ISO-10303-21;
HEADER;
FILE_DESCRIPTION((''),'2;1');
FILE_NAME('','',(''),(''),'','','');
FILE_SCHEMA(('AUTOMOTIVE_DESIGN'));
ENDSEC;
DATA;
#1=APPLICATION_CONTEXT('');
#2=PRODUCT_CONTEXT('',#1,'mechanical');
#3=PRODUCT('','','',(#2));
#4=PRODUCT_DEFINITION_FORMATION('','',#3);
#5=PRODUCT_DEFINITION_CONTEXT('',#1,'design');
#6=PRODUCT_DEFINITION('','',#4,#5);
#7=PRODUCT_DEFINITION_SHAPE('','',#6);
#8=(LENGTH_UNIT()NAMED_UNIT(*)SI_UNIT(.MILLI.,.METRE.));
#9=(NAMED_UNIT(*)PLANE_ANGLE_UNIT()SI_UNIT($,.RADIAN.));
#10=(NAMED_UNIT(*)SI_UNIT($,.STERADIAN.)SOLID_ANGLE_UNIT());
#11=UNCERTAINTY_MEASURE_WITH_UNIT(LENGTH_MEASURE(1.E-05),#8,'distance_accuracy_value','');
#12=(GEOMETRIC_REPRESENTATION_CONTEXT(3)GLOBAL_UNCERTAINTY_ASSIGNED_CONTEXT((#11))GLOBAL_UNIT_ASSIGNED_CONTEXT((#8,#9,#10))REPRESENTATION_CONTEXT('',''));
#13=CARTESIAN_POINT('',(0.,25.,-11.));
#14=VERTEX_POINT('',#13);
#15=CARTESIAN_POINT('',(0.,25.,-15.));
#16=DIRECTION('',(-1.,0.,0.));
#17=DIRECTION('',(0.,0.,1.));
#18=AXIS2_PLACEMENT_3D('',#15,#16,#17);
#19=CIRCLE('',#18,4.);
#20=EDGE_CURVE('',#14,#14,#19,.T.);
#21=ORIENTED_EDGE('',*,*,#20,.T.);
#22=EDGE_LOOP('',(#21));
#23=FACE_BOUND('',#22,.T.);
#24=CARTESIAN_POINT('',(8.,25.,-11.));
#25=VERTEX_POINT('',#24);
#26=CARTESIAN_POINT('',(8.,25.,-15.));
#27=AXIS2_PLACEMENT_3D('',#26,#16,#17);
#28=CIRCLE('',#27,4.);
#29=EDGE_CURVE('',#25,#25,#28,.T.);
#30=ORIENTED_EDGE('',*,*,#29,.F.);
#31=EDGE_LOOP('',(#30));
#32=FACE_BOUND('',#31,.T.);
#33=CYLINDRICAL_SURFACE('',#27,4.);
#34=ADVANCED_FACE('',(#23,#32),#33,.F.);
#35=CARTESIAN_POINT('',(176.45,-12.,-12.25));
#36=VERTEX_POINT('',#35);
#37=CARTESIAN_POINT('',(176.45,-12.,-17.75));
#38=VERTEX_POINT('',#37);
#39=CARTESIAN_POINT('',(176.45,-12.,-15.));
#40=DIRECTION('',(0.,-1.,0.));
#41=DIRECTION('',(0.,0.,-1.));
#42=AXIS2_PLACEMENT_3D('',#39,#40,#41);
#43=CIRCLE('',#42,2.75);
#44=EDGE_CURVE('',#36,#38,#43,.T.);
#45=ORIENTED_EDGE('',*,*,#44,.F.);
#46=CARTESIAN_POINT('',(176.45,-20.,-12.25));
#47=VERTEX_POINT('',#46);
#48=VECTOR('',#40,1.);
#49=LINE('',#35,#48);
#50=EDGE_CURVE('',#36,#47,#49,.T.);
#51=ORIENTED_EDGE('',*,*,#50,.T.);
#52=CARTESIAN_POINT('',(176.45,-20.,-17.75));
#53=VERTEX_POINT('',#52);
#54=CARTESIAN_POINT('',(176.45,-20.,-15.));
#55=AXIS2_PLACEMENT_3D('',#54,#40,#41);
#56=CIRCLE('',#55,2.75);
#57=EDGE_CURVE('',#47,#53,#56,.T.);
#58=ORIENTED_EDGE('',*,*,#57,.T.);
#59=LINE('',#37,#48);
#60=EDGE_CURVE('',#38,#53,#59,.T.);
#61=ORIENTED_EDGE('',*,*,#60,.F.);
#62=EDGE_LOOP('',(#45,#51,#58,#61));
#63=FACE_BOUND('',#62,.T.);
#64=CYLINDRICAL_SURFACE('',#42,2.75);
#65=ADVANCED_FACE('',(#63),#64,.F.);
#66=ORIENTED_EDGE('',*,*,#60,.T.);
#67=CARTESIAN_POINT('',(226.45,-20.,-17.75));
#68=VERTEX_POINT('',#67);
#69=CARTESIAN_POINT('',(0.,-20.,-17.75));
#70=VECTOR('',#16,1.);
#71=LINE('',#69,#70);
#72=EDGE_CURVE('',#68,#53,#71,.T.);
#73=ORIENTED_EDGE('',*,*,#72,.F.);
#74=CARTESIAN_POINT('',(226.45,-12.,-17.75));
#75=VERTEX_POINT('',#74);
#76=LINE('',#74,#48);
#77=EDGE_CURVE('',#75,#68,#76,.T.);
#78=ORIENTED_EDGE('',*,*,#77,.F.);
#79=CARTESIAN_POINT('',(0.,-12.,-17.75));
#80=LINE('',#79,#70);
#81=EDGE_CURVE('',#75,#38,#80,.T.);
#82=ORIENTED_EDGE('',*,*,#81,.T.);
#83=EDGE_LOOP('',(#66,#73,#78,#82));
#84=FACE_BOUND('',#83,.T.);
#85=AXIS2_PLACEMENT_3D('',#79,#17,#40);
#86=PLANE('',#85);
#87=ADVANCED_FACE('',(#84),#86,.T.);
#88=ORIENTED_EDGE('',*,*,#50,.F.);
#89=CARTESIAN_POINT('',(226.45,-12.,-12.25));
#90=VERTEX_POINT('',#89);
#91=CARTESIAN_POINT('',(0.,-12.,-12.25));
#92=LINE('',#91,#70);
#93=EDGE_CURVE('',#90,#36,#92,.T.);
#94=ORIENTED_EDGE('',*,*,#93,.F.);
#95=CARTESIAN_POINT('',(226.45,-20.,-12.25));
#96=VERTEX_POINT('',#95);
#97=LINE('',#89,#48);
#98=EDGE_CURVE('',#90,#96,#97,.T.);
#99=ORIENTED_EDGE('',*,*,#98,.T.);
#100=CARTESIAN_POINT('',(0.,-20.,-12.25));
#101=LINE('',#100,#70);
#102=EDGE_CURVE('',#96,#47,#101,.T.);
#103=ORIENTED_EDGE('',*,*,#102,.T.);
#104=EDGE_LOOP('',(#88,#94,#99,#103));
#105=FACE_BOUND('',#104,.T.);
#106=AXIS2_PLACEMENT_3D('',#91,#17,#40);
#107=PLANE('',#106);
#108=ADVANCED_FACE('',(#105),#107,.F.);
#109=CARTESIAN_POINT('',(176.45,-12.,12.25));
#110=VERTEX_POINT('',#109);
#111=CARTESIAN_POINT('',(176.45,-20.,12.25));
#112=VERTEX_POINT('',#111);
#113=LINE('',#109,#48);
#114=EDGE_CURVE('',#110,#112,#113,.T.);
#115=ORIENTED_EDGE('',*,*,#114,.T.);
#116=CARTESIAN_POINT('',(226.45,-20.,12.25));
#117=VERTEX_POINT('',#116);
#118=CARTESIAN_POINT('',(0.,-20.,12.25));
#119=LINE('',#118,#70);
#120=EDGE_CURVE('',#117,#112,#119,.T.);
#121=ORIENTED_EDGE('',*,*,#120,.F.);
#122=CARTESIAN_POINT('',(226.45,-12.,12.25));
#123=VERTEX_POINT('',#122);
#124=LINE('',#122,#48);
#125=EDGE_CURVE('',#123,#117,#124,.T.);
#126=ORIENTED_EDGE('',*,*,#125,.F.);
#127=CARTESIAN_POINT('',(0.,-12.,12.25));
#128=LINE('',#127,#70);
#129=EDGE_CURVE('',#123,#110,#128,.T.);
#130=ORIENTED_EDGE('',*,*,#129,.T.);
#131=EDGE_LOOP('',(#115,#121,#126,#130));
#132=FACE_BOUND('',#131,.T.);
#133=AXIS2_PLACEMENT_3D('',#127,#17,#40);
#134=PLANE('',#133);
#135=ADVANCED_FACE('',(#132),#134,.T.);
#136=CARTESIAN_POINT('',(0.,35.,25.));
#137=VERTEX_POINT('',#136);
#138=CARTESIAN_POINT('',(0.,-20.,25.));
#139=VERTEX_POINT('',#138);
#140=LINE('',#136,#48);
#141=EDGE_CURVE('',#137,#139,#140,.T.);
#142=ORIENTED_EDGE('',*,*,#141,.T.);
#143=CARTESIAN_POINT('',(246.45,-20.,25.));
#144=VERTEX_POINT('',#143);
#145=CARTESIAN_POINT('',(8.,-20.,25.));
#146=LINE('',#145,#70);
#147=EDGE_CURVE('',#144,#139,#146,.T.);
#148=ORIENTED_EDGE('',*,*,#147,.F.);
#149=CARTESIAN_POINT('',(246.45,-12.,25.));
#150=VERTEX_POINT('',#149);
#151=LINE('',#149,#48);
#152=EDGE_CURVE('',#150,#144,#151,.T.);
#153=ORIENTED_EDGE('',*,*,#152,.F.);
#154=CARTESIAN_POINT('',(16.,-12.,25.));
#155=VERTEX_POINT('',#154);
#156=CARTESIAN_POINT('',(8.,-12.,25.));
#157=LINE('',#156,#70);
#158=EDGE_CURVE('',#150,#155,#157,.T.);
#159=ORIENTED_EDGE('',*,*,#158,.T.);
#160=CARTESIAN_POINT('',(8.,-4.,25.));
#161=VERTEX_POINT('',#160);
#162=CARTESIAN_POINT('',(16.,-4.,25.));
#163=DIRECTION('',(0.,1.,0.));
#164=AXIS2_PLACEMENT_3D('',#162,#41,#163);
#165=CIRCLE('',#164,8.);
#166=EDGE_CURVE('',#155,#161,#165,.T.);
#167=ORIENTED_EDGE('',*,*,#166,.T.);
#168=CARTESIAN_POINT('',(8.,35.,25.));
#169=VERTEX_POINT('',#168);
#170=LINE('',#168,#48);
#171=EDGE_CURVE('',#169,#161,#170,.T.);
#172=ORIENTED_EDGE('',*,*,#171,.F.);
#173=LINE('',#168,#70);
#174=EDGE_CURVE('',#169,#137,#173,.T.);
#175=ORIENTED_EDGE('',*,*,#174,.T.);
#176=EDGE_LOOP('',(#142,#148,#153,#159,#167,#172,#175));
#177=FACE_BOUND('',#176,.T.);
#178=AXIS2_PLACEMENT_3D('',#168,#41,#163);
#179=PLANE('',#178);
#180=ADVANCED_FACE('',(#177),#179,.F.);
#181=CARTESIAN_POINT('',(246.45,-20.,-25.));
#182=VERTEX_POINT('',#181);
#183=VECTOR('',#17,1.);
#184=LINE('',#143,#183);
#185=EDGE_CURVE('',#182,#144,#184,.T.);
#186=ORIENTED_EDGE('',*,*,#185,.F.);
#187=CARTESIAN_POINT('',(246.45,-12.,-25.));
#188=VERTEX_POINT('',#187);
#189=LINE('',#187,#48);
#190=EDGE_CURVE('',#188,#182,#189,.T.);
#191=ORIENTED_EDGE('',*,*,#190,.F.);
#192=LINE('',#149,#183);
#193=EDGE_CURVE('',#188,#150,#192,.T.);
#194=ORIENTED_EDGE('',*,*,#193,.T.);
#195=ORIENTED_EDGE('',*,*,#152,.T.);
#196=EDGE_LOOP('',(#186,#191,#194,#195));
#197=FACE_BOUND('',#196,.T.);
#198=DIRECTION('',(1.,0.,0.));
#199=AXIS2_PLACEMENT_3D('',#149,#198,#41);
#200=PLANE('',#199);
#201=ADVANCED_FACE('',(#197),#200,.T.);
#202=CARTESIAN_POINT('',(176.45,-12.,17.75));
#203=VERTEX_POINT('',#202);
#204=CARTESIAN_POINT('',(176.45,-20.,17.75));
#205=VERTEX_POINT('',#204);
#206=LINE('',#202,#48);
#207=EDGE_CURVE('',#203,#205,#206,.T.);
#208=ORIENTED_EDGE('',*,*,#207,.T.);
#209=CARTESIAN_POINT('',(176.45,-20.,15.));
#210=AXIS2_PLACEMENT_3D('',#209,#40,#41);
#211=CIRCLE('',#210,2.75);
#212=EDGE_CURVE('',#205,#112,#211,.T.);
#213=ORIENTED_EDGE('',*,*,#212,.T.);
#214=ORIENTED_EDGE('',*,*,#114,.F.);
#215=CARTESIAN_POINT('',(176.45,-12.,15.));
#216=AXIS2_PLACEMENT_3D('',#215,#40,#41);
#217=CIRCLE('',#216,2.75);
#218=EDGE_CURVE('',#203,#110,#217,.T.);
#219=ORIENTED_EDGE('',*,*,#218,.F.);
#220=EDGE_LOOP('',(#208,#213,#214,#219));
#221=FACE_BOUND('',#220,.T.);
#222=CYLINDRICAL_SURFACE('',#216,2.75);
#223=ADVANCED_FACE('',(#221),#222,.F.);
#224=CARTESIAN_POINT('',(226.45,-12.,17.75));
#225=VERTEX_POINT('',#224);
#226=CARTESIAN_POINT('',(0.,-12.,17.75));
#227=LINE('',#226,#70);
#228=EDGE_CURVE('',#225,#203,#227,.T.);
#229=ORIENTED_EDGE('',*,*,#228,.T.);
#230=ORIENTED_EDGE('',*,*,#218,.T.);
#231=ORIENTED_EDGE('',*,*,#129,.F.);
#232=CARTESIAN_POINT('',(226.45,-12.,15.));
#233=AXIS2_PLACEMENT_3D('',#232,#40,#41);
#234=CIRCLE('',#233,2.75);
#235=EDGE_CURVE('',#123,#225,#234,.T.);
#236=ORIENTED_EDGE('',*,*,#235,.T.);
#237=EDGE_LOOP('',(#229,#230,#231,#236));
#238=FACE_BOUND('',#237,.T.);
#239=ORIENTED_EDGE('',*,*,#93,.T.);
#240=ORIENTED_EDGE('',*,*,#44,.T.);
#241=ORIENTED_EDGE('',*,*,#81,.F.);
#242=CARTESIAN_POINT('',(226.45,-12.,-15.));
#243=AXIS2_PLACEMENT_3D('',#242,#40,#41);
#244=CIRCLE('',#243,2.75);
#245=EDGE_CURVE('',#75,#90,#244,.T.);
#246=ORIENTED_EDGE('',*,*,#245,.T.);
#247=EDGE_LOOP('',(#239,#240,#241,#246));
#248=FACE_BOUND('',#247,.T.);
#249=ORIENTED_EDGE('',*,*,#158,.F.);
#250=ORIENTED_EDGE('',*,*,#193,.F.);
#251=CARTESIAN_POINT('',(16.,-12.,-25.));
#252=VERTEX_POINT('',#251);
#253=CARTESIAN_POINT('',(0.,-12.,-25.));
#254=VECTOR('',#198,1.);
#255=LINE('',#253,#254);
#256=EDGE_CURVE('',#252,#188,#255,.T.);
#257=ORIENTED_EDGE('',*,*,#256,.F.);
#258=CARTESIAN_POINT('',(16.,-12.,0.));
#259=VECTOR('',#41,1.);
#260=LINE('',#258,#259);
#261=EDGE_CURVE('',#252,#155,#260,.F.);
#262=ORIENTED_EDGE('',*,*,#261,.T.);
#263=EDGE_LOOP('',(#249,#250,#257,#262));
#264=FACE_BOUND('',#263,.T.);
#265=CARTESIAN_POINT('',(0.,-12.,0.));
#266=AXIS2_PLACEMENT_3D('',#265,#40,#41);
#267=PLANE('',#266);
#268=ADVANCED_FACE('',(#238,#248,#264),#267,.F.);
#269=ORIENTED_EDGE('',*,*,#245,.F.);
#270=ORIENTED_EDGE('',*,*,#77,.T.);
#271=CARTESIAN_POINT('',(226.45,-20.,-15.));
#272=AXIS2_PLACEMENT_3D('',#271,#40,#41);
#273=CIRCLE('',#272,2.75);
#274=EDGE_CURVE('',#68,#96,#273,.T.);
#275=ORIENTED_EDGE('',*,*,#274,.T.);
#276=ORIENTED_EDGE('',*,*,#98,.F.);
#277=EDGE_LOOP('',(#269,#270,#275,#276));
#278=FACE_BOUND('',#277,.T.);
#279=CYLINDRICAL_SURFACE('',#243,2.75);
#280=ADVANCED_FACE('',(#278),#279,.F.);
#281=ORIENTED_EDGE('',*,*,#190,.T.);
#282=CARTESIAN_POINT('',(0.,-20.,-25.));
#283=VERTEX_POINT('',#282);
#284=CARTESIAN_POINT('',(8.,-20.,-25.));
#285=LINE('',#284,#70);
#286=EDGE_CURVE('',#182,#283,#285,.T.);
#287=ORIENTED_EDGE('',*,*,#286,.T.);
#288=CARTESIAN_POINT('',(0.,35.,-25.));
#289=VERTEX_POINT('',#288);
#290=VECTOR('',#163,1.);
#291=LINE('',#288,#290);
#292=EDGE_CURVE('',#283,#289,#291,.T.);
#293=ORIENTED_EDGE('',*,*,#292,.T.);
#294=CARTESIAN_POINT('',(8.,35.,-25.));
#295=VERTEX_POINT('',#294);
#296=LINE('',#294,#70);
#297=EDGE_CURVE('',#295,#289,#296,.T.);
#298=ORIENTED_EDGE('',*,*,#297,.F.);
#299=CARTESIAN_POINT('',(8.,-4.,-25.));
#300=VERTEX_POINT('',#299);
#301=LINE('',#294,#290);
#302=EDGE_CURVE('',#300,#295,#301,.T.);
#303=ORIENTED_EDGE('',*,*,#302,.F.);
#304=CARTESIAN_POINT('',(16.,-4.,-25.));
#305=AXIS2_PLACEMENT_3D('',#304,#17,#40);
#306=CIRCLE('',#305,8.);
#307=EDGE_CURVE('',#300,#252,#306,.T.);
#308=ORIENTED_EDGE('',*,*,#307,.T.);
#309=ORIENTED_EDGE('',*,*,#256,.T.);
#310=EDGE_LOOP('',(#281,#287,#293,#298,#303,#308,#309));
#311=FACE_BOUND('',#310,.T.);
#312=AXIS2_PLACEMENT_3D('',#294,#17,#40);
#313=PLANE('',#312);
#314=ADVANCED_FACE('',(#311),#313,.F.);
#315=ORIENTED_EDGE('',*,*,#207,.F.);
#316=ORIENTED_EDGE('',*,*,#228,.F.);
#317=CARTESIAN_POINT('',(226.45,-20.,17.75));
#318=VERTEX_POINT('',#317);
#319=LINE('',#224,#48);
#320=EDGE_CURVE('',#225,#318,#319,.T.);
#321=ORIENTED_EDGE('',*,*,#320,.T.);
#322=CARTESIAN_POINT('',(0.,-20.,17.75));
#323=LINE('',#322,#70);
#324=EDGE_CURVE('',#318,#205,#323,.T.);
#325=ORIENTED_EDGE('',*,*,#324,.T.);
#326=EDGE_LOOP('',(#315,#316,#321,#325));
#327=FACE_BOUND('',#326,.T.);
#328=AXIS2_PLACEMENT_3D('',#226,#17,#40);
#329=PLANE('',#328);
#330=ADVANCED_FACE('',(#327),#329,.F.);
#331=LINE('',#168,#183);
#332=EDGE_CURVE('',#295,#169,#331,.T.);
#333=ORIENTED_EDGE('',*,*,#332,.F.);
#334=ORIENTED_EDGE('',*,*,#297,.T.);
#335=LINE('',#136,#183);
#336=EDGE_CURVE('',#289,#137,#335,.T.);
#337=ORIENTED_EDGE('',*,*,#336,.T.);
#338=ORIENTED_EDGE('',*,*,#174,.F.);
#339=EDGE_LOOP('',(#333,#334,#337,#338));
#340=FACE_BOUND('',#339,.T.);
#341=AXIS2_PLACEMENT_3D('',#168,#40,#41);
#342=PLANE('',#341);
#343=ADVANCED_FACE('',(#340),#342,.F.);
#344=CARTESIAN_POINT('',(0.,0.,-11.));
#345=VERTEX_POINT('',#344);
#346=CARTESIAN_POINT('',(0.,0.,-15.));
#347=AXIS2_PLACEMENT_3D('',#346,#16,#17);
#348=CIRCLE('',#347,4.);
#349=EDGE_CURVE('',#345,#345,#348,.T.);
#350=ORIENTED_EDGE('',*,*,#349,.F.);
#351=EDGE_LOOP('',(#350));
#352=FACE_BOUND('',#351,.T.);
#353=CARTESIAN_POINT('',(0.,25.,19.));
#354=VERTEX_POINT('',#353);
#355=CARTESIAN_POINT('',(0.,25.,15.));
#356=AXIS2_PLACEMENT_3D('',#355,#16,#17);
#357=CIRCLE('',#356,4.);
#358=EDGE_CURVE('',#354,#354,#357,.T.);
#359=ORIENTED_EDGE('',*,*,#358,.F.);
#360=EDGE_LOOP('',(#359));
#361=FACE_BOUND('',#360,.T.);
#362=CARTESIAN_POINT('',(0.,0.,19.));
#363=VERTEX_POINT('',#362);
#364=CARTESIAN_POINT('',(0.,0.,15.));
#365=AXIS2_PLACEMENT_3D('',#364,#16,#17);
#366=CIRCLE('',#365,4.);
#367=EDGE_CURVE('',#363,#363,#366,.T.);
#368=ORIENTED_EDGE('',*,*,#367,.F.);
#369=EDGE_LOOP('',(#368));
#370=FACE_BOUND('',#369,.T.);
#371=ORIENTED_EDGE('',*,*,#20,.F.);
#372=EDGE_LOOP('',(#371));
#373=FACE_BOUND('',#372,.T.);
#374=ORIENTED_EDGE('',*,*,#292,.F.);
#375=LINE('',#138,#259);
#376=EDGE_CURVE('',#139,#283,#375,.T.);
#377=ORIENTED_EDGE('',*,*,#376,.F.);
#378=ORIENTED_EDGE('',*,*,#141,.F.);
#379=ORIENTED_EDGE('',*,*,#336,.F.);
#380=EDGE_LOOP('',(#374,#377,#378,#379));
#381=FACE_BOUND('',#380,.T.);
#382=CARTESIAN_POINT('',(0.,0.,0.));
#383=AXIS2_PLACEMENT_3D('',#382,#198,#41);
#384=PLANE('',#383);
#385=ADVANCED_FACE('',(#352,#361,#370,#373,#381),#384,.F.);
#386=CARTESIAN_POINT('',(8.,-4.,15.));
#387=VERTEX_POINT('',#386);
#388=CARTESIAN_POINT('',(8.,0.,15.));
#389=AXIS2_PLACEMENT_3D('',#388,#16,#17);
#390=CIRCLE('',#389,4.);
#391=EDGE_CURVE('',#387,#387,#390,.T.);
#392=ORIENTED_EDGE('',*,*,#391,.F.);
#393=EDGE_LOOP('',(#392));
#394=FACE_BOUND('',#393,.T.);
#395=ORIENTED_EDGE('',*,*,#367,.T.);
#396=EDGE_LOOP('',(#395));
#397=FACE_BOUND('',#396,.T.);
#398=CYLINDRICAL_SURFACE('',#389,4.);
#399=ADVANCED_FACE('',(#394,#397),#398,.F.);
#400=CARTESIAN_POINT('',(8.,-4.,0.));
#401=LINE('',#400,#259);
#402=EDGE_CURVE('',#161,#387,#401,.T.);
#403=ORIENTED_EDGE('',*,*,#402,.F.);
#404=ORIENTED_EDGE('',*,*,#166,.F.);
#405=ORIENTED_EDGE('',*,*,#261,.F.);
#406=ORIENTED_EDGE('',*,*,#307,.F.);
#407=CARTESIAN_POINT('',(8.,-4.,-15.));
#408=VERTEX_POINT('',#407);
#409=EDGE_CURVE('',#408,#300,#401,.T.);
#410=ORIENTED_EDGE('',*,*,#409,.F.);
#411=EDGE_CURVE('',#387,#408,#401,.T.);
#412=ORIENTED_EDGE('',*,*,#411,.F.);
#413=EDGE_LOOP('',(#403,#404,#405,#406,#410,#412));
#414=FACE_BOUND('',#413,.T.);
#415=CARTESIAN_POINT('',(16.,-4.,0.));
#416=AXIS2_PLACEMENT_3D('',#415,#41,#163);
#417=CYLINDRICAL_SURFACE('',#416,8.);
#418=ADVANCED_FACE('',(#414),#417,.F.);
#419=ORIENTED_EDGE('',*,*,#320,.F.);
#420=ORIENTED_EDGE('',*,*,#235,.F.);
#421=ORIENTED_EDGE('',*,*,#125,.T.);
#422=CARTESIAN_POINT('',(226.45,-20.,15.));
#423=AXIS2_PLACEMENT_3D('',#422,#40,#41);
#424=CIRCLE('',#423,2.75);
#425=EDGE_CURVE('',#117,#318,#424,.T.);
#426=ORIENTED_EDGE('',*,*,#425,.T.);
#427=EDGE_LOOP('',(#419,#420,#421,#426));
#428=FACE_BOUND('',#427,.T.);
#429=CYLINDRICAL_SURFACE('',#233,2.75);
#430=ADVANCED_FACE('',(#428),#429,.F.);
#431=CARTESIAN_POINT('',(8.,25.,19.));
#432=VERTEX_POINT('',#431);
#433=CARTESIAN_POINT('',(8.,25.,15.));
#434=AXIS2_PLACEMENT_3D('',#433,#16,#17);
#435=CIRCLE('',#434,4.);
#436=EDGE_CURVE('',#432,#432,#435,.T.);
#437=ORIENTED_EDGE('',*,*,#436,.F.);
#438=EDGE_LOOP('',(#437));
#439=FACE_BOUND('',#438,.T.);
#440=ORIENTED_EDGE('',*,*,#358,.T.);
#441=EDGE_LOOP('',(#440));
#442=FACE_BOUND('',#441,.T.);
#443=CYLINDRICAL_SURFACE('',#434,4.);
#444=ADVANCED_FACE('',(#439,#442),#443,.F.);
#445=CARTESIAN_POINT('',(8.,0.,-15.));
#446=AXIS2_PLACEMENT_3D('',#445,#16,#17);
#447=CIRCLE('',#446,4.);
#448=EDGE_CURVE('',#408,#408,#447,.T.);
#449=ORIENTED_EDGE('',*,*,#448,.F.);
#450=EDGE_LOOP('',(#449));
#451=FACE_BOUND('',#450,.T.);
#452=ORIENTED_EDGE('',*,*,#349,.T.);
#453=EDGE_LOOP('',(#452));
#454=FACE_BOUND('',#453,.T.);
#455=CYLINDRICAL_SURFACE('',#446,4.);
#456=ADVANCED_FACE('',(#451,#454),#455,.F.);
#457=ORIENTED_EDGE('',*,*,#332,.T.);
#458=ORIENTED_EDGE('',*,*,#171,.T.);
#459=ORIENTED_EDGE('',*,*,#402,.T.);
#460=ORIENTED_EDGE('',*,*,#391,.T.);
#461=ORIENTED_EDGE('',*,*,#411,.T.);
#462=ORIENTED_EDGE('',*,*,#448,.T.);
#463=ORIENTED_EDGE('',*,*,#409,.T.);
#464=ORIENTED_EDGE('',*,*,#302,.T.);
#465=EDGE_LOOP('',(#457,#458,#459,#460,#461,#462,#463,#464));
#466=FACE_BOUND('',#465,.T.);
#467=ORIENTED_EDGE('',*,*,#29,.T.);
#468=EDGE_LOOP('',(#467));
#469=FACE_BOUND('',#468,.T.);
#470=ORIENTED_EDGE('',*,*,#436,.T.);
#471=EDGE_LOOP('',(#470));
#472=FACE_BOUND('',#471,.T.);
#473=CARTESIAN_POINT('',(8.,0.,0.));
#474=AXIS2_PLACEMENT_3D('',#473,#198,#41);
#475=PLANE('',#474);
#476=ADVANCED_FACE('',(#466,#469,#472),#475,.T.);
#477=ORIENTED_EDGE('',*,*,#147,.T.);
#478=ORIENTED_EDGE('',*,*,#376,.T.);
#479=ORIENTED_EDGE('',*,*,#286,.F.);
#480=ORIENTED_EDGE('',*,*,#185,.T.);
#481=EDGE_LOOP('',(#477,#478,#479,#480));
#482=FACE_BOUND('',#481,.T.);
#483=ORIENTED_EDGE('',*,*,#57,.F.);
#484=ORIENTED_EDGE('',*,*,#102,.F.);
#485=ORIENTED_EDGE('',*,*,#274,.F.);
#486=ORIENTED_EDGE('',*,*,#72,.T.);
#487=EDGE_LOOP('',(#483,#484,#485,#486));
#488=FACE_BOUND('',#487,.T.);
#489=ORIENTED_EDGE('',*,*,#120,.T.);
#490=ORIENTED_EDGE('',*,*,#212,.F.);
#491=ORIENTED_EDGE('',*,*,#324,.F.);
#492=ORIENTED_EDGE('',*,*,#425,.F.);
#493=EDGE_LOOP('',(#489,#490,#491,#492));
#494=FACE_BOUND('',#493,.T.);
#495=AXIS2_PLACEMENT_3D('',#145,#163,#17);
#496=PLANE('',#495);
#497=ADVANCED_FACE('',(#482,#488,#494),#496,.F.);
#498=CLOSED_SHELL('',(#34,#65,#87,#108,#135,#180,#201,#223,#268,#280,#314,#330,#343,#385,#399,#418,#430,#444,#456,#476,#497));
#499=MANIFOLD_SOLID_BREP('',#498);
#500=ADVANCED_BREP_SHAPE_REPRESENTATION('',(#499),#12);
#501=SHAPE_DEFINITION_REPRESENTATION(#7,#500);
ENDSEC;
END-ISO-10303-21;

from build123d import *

# Parameters (mm, degrees)
SKETCH_1_W          = 50
SKETCH_1_H          = 55
EXTRUDE_1_DEPTH     = 8
EXTRUDE_2_DEPTH     = 8
FILLET_1_R          = 8
CUT_EXTRUDE_1_DEPTH = 8
SKETCH_4_R          = 4
CUT_EXTRUDE_2_DEPTH = 8


with BuildPart() as part:
    # 草图1 → 凸台-拉伸1 (new body)
    with BuildSketch(Plane(origin=(0, 0, 0), x_dir=(0, 0, -1), z_dir=(1, 0, 0))):
        with Locations((0, 7.5)):
            Rectangle(SKETCH_1_W, SKETCH_1_H)
    extrude(amount=EXTRUDE_1_DEPTH)

    # 草图2 → 凸台-拉伸2 (add)
    with BuildSketch(Plane.XZ.offset(20)):
        Polygon((0, 25), (8, 25), (246.45, 25), (246.45, -25), (8, -25), (0, -25), align=None)
    extrude(amount=-EXTRUDE_2_DEPTH)

    # 圆角1
    fillet_1_edges = [part.edges().sort_by_distance(p)[0] for p in [
        (8, -12, 0),
    ]]
    fillet(fillet_1_edges, radius=FILLET_1_R)

    # 草图3 → 切除-拉伸1 (cut)
    with BuildSketch(Plane.XZ.offset(20)):
        with BuildLine():
            Line((176.45, -17.75), (226.45, -17.75))
            ThreePointArc((226.45, -17.75), (229.2, -15), (226.45, -12.25))
            Line((226.45, -12.25), (176.450000009, -12.25))
            ThreePointArc((176.450000009, -12.25), (173.7, -14.999999996), (176.45, -17.75))
        make_face()
        with BuildLine():
            Line((176.449999995, 12.25), (226.45, 12.25))
            ThreePointArc((226.45, 12.25), (229.2, 15), (226.45, 17.75))
            Line((226.45, 17.75), (176.45, 17.75))
            ThreePointArc((176.45, 17.75), (173.7, 15.000000003), (176.449999995, 12.25))
        make_face()
    extrude(amount=-CUT_EXTRUDE_1_DEPTH, mode=Mode.SUBTRACT)

    # 草图4 → 切除-拉伸2 (cut)
    with BuildSketch(Plane.ZY):
        with Locations((-15, 25)):
            Circle(SKETCH_4_R)
        with Locations((-15, 0)):
            Circle(SKETCH_4_R)
        with Locations((15, 25)):
            Circle(SKETCH_4_R)
        with Locations((15, 0)):
            Circle(SKETCH_4_R)
    extrude(amount=-CUT_EXTRUDE_2_DEPTH, mode=Mode.SUBTRACT)


solid = part.part
